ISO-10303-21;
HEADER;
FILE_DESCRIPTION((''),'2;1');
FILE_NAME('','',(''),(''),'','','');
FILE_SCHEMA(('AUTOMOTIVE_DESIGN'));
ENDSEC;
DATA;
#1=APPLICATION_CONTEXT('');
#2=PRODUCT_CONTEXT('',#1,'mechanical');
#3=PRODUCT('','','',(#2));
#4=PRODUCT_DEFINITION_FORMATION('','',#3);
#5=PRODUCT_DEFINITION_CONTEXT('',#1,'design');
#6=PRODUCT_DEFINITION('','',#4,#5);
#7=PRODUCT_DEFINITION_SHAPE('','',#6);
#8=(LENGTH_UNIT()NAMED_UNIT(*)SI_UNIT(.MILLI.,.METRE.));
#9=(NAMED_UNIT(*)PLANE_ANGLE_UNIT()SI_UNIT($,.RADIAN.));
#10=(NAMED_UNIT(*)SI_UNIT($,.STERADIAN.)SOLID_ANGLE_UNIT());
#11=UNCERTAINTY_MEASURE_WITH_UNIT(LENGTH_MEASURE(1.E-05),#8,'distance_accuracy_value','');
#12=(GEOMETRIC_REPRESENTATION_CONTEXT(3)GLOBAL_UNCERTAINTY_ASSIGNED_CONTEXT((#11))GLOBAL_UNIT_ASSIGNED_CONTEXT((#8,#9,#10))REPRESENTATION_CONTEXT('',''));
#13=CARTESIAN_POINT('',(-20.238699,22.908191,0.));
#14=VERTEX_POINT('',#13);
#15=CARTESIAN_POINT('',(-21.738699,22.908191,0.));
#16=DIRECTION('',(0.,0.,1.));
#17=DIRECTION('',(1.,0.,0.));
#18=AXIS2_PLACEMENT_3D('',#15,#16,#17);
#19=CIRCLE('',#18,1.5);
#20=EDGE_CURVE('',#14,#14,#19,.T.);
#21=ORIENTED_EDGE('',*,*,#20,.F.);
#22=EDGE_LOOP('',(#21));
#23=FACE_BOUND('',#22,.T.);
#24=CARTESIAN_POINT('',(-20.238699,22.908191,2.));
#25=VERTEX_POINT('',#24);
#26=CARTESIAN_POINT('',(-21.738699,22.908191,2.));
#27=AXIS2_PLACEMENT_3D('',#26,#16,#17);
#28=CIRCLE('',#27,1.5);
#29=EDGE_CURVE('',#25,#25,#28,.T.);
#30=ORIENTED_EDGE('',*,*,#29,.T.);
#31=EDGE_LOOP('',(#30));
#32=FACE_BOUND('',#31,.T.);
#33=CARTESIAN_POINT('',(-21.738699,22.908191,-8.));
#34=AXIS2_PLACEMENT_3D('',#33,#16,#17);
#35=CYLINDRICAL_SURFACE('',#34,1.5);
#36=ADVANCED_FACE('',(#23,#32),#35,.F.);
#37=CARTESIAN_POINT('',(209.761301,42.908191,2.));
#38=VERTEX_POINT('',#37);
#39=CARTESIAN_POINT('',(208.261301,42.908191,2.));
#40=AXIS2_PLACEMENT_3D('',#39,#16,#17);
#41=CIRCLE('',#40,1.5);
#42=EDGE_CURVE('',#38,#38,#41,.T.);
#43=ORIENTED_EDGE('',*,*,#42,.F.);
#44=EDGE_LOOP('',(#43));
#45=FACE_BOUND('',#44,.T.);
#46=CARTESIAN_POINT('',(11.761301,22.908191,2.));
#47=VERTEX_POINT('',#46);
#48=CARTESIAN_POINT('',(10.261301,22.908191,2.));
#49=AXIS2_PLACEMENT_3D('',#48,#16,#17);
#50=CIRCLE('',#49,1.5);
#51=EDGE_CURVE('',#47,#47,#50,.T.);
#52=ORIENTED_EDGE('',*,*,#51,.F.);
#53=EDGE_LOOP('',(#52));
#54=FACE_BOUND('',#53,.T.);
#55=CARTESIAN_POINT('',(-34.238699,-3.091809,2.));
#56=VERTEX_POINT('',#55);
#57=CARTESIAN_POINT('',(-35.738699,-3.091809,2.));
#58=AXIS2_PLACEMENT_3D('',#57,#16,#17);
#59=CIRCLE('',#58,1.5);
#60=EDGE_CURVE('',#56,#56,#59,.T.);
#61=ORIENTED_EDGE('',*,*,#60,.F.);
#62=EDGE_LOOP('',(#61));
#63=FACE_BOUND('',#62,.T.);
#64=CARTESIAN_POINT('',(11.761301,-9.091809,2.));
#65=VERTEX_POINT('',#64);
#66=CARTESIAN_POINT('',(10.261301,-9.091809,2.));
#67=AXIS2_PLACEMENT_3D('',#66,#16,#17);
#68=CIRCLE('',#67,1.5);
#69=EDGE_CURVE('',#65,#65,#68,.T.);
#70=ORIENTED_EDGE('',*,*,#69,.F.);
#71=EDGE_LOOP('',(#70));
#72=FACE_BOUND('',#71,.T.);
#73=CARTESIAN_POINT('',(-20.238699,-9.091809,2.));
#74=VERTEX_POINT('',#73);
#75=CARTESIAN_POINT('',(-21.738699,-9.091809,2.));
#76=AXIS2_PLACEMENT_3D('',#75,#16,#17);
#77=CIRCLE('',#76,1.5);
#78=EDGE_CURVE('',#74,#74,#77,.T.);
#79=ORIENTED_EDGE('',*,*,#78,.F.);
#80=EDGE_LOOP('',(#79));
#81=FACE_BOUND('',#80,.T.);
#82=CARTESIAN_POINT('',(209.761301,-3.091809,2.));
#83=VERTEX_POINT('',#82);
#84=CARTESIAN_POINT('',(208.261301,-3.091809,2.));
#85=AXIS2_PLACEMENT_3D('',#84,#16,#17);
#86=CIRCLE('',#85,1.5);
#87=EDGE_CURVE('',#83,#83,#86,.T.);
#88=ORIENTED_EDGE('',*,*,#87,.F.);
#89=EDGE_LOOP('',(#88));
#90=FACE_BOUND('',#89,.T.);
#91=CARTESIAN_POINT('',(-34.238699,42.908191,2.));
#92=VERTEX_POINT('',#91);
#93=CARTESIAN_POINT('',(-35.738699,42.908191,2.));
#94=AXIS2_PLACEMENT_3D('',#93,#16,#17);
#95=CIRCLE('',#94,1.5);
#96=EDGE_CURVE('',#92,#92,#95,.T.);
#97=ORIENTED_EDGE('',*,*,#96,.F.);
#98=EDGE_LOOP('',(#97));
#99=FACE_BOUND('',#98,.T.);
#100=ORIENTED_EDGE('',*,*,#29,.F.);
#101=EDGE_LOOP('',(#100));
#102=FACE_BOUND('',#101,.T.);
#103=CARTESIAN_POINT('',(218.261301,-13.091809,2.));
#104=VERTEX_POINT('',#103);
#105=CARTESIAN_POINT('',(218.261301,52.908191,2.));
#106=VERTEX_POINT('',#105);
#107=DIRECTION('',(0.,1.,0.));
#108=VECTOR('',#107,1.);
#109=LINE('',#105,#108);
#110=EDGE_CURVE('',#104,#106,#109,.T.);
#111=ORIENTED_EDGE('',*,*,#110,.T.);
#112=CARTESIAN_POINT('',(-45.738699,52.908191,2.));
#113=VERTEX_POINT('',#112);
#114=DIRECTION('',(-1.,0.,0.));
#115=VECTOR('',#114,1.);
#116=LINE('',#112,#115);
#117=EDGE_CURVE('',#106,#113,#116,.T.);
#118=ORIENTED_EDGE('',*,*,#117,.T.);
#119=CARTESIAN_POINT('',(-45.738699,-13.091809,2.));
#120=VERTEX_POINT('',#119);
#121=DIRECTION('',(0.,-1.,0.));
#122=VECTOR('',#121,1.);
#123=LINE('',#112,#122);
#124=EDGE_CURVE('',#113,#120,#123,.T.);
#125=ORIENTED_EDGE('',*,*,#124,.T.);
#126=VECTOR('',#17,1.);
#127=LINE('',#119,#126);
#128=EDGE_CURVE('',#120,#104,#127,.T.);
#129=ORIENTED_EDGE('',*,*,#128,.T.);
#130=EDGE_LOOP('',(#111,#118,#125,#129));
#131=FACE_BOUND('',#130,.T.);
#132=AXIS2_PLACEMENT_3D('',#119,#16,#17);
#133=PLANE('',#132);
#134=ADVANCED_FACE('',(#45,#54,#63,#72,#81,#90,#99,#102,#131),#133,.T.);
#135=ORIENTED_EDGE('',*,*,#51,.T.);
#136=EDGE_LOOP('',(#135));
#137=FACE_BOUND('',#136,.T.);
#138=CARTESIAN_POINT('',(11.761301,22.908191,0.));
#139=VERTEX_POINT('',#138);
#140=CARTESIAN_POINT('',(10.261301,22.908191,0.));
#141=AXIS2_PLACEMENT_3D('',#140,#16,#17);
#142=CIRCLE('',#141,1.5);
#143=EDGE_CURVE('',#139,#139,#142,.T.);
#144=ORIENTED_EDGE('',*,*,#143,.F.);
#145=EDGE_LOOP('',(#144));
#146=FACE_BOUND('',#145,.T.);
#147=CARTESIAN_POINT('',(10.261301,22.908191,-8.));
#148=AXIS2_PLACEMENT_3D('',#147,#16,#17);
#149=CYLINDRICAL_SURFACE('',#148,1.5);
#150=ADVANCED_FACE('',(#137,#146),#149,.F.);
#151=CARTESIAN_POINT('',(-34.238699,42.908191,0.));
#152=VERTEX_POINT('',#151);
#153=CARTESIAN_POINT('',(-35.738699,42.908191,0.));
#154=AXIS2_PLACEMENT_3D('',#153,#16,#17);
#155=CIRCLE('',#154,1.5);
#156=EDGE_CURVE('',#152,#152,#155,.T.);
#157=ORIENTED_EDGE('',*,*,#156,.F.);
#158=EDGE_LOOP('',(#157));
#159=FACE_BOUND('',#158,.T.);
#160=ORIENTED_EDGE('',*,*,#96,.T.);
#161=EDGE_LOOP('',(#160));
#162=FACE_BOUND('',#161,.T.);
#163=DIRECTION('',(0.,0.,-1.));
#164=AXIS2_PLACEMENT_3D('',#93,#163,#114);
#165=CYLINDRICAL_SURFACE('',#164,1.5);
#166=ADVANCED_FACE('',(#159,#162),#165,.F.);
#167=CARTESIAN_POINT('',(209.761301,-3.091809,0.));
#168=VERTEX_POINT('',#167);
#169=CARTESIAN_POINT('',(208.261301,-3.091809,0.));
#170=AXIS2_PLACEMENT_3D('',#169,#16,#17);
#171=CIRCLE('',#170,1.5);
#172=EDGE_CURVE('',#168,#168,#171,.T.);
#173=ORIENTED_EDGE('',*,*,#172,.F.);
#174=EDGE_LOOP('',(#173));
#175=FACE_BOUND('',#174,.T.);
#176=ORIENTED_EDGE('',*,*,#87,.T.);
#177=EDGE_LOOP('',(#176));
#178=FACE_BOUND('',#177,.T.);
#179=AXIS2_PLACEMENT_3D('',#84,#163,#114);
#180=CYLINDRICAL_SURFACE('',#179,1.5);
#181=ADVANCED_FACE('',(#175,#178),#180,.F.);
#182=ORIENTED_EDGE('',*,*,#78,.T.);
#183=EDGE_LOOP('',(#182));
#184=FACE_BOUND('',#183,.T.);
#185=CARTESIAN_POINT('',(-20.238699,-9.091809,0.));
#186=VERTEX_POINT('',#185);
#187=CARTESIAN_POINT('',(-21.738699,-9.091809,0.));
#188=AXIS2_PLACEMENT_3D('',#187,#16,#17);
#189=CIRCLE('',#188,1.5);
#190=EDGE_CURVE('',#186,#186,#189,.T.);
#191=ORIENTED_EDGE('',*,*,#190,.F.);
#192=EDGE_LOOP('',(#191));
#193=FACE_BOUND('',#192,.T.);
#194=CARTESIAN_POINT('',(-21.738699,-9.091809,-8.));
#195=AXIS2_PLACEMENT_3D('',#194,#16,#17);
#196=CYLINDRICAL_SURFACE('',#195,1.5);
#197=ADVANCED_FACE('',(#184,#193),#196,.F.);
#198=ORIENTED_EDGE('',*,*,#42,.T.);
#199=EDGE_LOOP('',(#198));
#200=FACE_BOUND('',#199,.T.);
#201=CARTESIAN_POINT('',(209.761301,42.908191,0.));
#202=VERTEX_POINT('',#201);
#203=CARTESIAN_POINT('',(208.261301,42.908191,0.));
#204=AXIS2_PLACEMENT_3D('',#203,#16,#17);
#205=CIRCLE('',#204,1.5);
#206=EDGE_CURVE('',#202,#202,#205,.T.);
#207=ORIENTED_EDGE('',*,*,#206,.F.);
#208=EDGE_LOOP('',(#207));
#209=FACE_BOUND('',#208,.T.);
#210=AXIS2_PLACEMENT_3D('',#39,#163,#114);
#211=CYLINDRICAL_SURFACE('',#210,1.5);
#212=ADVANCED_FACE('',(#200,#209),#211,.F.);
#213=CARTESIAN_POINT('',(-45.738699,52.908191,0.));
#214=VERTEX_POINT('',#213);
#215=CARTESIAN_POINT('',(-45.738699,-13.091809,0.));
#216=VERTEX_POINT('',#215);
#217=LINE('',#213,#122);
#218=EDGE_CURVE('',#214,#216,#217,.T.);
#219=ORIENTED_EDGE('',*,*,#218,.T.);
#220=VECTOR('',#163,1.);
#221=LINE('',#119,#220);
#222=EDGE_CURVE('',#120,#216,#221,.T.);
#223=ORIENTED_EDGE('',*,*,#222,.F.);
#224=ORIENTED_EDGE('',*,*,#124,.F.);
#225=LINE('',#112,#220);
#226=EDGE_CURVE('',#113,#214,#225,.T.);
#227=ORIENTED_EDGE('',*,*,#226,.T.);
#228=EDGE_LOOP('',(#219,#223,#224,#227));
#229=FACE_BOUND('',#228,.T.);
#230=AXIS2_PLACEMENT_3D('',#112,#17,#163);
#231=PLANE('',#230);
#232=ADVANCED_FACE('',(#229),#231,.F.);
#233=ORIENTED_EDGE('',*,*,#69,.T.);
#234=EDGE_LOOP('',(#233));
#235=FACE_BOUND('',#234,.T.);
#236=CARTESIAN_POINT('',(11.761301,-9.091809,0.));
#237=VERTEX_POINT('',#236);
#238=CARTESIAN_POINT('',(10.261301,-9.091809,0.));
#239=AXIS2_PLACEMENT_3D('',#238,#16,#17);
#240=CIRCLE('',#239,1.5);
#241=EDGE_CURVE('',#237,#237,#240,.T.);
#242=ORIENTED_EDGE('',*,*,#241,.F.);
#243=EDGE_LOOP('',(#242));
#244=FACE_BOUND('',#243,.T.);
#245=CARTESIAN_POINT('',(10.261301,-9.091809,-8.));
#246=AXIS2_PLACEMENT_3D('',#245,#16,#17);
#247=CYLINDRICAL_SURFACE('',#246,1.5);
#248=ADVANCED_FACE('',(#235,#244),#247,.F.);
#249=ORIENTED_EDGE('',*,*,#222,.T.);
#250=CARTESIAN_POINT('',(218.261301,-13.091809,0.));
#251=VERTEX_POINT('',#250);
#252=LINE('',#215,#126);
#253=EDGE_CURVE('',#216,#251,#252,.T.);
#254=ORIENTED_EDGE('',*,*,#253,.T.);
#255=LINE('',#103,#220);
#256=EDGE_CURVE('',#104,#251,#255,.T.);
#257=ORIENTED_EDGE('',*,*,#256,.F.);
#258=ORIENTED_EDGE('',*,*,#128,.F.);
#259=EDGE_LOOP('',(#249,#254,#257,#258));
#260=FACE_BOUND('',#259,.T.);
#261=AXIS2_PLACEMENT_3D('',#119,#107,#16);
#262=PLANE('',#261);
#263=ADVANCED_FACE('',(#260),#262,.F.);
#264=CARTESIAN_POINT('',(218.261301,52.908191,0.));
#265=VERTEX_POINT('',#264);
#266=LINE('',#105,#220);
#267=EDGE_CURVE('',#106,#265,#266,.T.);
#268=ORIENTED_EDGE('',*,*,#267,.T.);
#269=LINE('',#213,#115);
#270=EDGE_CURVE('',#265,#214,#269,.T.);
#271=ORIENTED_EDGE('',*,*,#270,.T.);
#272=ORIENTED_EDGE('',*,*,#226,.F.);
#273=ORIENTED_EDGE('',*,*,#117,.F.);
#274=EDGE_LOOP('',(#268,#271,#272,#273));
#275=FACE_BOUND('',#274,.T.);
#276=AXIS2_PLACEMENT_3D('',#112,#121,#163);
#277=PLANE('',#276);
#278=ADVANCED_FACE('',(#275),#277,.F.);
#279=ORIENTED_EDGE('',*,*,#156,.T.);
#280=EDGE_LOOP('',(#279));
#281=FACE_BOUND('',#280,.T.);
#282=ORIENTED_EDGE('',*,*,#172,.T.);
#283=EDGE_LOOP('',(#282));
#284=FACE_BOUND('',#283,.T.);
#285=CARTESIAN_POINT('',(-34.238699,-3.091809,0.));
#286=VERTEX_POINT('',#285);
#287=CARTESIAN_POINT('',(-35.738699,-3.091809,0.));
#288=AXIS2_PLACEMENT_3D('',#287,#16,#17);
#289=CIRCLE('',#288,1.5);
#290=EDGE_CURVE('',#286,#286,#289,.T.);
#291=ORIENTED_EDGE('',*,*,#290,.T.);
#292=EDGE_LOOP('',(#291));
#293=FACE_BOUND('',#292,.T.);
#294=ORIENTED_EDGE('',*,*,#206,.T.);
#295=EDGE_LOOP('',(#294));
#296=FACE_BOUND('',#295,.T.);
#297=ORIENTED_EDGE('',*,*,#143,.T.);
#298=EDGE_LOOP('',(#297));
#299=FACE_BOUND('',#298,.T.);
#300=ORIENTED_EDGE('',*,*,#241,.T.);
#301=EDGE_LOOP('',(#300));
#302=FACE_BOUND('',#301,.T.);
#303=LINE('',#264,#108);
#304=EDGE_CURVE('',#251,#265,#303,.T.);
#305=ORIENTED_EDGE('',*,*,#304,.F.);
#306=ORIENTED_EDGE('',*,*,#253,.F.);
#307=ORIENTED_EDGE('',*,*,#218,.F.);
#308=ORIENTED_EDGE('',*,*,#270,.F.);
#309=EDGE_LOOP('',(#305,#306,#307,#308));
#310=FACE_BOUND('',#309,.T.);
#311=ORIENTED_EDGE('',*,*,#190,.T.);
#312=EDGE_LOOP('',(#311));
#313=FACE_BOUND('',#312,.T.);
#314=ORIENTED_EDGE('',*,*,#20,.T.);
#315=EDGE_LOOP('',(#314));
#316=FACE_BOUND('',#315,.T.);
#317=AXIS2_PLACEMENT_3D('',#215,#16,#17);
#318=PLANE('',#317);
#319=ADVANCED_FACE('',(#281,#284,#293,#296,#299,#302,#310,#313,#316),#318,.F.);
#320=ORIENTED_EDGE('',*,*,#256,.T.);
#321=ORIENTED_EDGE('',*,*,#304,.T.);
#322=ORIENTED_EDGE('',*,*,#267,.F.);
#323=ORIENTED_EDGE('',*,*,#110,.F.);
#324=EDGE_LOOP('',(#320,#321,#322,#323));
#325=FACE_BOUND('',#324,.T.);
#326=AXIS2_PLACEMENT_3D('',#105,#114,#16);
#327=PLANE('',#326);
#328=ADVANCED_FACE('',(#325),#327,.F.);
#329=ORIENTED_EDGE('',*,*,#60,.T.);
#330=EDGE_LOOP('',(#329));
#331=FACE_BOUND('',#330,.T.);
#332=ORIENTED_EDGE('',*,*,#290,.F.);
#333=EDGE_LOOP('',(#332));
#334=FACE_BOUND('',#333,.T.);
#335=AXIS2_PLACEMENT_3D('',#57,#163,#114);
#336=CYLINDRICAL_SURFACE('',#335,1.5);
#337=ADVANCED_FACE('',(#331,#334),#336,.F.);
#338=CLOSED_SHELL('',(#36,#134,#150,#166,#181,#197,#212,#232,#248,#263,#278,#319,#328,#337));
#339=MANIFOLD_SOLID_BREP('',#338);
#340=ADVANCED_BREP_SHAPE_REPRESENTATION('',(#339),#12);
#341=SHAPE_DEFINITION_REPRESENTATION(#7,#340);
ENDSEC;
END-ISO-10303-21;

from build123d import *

# Parameters (mm, degrees)
ESQUISSE1_W      = 264
ESQUISSE1_H      = 66
ESQUISSE1_R      = 1.5
EXTRUSION1_DEPTH = 2
ESQUISSE2_R      = 1.5
EXTRUSION2_DEPTH = 10


with BuildPart() as part:
    # Esquisse1 → Extrusion1 (new body)
    with BuildSketch(Plane.XY):
        with Locations((86.261300687, 19.908191489)):
            Rectangle(ESQUISSE1_W, ESQUISSE1_H)
        with Locations((-35.738699313, 42.908191489)):
            Circle(ESQUISSE1_R, mode=Mode.SUBTRACT)
        with Locations((-35.738699313, -3.091808511)):
            Circle(ESQUISSE1_R, mode=Mode.SUBTRACT)
        with Locations((208.261300687, 42.908191489)):
            Circle(ESQUISSE1_R, mode=Mode.SUBTRACT)
        with Locations((208.261300687, -3.091808511)):
            Circle(ESQUISSE1_R, mode=Mode.SUBTRACT)
    extrude(amount=EXTRUSION1_DEPTH)

    # Esquisse2 → Extrusion2 (cut)
    with BuildSketch(Plane.XY.offset(2)):
        with Locations((-21.738699313, 22.908191489)):
            Circle(ESQUISSE2_R)
        with Locations((10.261300687, 22.908191489)):
            Circle(ESQUISSE2_R)
        with Locations((10.261300687, -9.091808511)):
            Circle(ESQUISSE2_R)
        with Locations((-21.738699313, -9.091808511)):
            Circle(ESQUISSE2_R)
    extrude(amount=-EXTRUSION2_DEPTH, mode=Mode.SUBTRACT)


solid = part.part
